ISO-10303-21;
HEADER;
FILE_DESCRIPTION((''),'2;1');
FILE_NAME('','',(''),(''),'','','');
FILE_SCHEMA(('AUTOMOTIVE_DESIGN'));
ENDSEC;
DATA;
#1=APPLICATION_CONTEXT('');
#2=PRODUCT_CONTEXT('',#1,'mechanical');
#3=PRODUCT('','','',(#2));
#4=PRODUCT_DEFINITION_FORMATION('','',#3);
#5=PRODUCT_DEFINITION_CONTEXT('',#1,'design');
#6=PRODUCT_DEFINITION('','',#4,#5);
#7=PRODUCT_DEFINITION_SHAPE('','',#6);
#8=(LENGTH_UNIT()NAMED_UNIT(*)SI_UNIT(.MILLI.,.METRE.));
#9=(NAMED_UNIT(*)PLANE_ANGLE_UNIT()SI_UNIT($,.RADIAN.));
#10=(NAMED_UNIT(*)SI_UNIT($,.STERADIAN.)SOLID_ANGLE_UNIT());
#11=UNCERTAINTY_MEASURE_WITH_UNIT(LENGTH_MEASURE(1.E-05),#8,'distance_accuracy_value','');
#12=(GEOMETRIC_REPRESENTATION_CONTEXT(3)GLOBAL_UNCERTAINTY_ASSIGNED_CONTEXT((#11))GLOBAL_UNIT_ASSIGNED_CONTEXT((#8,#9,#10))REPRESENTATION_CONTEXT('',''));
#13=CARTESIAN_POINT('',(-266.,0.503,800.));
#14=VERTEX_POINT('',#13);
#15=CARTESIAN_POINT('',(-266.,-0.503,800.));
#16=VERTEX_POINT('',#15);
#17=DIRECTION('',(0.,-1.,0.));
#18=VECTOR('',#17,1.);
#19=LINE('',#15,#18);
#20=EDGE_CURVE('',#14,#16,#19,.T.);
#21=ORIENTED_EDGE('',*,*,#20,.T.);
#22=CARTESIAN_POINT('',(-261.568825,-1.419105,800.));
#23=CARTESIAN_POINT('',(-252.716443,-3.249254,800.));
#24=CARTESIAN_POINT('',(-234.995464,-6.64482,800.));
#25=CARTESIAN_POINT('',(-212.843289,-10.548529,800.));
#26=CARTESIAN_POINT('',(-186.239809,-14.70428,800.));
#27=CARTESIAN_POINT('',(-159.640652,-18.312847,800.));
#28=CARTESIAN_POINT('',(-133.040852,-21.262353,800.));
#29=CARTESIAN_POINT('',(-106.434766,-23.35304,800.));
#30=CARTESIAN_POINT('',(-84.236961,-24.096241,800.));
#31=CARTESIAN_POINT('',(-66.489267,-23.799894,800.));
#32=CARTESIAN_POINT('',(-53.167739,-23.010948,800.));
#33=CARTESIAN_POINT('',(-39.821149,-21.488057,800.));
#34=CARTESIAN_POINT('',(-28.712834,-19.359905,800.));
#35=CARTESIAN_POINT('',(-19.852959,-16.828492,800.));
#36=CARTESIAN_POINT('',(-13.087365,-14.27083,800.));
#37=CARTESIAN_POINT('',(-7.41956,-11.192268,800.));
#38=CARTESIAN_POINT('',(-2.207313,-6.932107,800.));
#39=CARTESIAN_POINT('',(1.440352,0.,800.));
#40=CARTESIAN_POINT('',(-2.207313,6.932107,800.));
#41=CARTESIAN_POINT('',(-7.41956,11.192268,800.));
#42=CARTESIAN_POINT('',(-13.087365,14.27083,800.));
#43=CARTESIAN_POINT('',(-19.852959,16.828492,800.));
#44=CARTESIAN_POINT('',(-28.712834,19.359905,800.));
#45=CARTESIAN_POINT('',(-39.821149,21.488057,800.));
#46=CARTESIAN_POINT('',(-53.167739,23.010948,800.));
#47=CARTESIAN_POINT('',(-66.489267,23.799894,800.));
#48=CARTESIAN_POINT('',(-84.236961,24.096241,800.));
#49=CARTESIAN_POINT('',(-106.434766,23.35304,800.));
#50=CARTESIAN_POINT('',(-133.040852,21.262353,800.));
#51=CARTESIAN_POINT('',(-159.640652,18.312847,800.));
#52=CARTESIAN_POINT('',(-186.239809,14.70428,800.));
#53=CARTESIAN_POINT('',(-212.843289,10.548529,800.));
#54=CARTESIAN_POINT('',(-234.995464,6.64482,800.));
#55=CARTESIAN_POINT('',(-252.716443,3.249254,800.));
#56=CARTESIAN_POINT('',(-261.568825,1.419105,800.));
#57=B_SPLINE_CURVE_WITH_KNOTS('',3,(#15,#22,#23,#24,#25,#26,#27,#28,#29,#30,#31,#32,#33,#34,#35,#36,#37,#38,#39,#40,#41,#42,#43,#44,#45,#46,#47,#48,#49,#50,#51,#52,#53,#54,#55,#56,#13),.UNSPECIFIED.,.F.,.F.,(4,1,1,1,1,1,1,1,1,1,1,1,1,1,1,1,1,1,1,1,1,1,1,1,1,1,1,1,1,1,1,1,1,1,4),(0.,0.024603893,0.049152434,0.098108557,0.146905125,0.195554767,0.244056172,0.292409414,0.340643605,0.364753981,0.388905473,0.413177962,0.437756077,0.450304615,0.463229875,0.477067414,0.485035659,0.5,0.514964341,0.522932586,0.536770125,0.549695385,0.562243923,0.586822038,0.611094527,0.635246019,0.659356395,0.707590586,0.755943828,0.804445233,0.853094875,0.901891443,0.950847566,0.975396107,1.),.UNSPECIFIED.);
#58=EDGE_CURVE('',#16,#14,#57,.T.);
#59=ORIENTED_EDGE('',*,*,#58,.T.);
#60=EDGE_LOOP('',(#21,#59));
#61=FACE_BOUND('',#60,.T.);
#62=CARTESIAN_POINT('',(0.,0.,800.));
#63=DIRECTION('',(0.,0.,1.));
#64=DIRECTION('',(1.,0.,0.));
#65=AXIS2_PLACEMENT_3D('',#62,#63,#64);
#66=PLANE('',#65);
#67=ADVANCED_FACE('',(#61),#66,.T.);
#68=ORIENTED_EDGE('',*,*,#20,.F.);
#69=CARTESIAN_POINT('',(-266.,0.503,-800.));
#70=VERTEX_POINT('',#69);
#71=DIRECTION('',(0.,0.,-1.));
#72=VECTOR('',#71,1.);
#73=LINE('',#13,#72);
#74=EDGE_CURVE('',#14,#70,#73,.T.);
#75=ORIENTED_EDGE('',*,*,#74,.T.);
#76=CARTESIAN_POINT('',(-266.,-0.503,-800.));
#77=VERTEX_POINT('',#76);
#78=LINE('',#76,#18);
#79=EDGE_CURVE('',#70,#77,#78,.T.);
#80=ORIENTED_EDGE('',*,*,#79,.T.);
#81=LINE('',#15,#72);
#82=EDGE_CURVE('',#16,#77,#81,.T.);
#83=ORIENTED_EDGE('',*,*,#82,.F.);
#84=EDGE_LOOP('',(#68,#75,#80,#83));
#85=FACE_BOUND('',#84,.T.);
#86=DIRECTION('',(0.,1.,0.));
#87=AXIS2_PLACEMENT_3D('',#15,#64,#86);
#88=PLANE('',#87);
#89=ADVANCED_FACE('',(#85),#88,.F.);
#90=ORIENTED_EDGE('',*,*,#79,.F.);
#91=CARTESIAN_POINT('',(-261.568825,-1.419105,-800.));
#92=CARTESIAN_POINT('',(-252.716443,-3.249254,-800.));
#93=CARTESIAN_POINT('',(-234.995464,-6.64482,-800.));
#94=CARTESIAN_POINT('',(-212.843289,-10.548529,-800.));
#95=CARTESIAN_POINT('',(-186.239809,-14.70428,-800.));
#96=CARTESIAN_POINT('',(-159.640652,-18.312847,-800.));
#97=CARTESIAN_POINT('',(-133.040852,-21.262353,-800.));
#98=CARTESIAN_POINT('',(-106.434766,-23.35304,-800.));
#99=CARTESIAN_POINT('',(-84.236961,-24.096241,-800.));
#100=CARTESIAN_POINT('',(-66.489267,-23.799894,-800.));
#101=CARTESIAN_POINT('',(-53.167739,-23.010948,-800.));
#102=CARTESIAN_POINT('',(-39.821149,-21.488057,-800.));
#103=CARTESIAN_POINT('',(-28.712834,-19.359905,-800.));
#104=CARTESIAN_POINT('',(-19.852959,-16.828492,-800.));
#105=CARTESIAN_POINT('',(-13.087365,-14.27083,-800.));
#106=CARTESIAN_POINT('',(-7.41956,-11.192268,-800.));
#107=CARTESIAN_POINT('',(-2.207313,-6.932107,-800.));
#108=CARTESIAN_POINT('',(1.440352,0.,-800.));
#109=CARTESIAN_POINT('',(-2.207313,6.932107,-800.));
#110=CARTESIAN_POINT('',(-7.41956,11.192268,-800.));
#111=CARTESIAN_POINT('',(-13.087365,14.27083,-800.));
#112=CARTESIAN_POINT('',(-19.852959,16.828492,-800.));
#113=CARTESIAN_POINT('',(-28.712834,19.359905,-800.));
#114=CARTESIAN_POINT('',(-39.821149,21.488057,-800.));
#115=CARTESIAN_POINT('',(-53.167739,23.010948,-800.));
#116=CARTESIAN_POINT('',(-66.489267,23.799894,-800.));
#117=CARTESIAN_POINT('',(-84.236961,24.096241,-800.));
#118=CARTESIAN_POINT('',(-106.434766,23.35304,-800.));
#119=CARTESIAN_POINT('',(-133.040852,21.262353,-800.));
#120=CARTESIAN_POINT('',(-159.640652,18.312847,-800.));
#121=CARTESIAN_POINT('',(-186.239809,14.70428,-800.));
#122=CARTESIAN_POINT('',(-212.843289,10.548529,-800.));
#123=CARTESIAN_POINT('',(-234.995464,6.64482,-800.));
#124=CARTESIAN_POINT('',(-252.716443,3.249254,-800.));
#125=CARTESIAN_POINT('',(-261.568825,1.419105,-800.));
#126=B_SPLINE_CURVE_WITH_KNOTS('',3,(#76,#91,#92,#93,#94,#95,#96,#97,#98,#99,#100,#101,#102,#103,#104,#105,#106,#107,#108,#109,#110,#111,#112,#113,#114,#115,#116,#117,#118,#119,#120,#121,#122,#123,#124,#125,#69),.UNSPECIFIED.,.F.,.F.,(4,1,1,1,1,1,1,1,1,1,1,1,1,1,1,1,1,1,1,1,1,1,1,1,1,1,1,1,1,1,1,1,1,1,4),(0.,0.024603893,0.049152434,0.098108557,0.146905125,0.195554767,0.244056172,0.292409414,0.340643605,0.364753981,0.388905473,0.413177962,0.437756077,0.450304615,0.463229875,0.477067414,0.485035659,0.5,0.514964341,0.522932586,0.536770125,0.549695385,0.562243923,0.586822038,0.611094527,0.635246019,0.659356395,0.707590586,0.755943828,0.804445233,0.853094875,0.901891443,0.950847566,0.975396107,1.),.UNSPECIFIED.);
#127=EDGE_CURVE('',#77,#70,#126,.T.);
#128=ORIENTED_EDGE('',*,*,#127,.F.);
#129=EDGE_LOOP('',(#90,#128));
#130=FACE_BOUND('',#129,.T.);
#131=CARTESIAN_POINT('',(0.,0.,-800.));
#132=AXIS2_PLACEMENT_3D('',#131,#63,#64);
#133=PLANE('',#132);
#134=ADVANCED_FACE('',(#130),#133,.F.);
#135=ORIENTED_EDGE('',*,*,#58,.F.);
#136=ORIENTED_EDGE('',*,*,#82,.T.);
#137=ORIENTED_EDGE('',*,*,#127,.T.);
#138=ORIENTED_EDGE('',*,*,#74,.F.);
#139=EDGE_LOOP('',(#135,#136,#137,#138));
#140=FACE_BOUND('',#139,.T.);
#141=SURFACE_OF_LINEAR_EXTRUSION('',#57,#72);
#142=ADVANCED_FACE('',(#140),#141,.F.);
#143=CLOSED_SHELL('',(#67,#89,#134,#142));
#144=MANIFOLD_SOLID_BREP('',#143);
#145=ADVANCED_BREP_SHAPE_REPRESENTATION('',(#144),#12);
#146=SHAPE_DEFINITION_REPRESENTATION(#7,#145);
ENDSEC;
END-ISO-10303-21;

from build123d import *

# Parameters (mm, degrees)
SALIENTE_EXTRUIR1_DEPTH = 800


with BuildPart() as part:
    # Croquis7 → Saliente-Extruir1 (new, symmetric)
    with BuildSketch(Plane.XY):
        with BuildLine():
            Line((-266, -0.503), (-266, 0.503))
            add(Edge.make_bspline(
                [(-266, 0.503), (-261.568824613, 1.419104937), (-252.716442874, 3.249253805), (-234.995464143, 6.644819917), (-212.843288825, 10.548528836), (-186.239809232, 14.704279801), (-159.64065157, 18.31284697), (-133.040852362, 21.262352518), (-106.434765805, 23.353040106), (-84.236960535, 24.09624082), (-66.489266912, 23.79989373), (-53.167738863, 23.010947545), (-39.821148553, 21.488057179), (-28.71283358, 19.359904545), (-19.852958672, 16.828491563), (-13.087365413, 14.270829652), (-7.419560202, 11.192267863), (-2.207313153, 6.932106723), (1.440351568, 0), (-2.207313153, -6.932106722), (-7.419560202, -11.192267862), (-13.087365413, -14.270829652), (-19.852958672, -16.828491563), (-28.71283358, -19.359904545), (-39.821148553, -21.488057179), (-53.167738863, -23.010947545), (-66.489266912, -23.79989373), (-84.236960535, -24.09624082), (-106.434765805, -23.353040106), (-133.040852362, -21.262352518), (-159.640651569, -18.312846971), (-186.239809232, -14.704279802), (-212.843288824, -10.548528836), (-234.995464143, -6.644819918), (-252.716442874, -3.249253806), (-261.568824613, -1.419104938), (-266, -0.503)],
                knots=[0, 0, 0, 0, 0.024603893, 0.049152434, 0.098108557, 0.146905125, 0.195554767, 0.244056172, 0.292409414, 0.340643605, 0.364753981, 0.388905473, 0.413177962, 0.437756077, 0.450304615, 0.463229875, 0.477067414, 0.485035659, 0.5, 0.514964341, 0.522932586, 0.536770125, 0.549695385, 0.562243923, 0.586822038, 0.611094527, 0.635246019, 0.659356395, 0.707590586, 0.755943828, 0.804445233, 0.853094875, 0.901891443, 0.950847566, 0.975396107, 1, 1, 1, 1], degree=3))
        make_face()
    extrude(amount=SALIENTE_EXTRUIR1_DEPTH, both=True)


solid = part.part
